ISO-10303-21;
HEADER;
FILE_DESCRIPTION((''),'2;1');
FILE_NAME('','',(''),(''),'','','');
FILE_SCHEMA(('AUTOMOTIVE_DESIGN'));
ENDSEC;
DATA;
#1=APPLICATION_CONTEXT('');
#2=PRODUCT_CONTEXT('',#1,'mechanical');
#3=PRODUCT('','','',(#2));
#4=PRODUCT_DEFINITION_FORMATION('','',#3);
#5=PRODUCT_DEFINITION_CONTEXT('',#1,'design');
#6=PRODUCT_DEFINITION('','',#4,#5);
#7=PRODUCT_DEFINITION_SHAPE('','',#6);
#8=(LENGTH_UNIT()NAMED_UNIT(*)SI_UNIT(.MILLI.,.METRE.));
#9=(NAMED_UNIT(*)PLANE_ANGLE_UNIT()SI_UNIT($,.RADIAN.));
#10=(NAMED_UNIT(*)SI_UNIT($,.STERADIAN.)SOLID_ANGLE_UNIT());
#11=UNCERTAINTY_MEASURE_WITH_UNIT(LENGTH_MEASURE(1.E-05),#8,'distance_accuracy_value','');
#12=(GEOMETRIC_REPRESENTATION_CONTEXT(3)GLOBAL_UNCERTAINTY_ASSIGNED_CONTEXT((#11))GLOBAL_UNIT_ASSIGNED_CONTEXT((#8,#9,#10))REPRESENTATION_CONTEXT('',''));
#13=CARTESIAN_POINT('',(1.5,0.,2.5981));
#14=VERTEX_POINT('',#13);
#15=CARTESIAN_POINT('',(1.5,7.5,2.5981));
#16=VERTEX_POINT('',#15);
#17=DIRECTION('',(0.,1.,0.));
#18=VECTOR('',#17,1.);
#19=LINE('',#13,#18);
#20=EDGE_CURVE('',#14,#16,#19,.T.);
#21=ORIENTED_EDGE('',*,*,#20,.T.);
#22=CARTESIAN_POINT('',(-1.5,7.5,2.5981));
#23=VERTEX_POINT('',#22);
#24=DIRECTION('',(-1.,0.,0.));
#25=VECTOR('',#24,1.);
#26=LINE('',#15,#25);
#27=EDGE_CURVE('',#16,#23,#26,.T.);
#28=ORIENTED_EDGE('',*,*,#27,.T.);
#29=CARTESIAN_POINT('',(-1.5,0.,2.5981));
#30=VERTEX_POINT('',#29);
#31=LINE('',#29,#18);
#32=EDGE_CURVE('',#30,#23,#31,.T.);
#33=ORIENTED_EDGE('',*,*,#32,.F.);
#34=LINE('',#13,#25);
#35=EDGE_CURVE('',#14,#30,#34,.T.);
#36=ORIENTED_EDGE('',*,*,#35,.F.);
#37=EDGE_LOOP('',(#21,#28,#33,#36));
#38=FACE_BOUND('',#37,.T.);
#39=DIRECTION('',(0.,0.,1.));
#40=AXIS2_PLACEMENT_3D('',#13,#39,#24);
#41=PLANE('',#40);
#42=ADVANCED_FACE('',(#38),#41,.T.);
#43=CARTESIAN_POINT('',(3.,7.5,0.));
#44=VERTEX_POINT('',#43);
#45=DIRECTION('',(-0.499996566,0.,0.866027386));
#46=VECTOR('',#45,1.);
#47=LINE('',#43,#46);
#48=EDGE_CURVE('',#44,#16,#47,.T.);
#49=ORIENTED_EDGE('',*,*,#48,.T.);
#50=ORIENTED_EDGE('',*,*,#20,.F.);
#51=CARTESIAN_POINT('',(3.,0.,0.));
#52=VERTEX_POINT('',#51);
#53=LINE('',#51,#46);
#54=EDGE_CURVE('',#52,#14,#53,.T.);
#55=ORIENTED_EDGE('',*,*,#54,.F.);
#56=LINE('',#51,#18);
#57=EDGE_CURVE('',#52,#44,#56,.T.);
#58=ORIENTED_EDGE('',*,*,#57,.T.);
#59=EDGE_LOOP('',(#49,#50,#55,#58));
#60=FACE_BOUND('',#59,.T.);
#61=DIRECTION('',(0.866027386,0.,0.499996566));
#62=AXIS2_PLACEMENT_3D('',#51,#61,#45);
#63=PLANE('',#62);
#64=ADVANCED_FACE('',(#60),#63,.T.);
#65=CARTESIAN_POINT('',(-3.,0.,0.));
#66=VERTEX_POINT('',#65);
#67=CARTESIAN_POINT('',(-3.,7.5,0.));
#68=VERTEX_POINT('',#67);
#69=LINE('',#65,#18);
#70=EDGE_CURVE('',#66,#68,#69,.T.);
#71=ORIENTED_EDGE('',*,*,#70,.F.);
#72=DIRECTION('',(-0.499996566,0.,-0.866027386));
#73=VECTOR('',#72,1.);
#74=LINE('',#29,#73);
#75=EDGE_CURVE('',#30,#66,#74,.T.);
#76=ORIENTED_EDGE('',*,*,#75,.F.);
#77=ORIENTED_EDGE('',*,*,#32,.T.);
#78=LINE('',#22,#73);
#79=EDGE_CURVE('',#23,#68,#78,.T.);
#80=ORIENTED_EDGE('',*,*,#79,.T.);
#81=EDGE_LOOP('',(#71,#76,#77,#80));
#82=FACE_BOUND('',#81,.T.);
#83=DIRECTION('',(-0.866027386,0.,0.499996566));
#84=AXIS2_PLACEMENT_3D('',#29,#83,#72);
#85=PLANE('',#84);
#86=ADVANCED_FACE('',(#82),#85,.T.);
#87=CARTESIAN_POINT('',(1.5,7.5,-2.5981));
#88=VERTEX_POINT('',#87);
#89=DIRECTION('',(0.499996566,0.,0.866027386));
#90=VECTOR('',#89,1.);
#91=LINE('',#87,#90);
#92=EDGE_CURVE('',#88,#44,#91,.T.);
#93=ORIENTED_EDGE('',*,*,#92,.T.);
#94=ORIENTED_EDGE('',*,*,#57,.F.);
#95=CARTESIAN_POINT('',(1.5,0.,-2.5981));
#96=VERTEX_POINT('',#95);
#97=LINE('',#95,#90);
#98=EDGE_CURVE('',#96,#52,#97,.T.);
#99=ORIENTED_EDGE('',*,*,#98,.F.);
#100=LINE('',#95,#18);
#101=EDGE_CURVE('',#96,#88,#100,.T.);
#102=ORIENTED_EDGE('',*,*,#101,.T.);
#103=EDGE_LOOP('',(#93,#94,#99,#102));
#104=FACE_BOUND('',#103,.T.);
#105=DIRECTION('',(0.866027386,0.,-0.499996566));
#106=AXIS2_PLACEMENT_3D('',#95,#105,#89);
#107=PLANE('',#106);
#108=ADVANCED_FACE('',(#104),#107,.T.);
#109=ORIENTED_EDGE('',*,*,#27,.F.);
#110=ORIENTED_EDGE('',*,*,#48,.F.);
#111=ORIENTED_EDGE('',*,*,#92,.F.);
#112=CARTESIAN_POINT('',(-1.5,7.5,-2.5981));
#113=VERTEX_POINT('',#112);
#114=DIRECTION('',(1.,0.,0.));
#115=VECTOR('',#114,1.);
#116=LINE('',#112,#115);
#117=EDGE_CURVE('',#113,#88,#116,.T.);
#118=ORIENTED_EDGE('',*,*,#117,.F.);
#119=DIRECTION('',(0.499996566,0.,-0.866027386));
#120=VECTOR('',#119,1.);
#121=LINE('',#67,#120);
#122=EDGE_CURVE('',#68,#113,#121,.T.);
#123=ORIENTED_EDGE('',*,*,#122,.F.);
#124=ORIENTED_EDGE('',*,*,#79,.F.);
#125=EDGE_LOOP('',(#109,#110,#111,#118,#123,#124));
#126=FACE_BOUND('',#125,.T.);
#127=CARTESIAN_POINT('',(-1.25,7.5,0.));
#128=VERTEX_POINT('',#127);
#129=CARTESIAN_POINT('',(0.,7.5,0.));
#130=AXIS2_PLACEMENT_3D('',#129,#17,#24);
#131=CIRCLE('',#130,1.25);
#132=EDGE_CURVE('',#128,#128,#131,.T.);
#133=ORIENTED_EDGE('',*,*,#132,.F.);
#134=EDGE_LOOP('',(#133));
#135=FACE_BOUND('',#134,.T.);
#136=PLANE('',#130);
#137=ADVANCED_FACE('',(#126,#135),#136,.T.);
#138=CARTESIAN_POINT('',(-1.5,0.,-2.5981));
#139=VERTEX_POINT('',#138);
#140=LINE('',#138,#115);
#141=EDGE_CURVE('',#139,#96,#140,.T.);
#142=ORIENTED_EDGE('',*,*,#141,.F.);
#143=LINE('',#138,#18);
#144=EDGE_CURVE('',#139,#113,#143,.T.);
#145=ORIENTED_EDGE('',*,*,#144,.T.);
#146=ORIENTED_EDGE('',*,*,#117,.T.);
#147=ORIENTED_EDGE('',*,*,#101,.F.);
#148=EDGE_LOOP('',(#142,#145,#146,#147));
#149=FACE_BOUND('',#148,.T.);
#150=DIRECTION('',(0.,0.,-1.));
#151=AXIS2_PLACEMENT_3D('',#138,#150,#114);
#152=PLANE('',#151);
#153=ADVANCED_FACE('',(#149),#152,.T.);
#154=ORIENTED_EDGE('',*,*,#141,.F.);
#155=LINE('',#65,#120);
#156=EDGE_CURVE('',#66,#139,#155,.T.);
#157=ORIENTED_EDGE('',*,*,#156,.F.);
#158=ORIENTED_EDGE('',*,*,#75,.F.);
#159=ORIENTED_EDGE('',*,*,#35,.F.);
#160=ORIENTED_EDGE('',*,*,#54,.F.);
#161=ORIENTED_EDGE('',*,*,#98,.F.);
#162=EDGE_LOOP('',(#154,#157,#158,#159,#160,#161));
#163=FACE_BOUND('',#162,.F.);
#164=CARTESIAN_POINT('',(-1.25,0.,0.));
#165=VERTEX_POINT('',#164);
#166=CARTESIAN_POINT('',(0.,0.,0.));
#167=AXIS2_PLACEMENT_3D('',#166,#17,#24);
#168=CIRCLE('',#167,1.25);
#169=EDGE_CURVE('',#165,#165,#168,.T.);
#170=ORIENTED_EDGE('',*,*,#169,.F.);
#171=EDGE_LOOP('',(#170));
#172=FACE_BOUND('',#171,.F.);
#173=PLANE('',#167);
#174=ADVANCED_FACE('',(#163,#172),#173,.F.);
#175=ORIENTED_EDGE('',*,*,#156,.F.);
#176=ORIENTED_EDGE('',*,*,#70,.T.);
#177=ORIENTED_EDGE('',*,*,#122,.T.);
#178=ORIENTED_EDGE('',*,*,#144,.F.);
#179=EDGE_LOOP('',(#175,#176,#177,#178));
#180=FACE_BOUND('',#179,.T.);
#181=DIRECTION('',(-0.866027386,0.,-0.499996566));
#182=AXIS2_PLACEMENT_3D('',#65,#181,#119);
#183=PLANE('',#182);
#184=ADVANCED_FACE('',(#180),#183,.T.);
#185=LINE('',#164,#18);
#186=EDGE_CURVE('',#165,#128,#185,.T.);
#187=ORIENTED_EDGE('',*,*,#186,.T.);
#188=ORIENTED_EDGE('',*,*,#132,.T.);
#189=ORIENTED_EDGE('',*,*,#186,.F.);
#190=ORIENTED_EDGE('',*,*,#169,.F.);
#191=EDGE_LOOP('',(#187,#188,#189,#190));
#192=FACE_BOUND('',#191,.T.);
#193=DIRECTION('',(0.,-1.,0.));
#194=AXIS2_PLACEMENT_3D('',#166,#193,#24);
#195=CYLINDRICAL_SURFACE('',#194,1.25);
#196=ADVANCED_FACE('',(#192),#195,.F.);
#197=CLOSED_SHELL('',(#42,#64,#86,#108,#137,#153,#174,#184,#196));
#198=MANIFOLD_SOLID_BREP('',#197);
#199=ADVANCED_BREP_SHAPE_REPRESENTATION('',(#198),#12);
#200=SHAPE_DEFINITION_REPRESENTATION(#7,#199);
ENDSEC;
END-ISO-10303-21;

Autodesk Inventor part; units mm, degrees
ref_plane "YZ Plane" through (0, 0, 0) normal (1, 0, 0) x (0, 1, 0)
ref_plane "XZ Plane" through (0, 0, 0) normal (0, 1, 0) x (-1, 0, 0)
ref_plane "XY Plane" through (0, 0, 0) normal (0, 0, 1) x (1, 0, 0)
sketch "Sketch1" plane through (0, 0, 0) normal (0, 1, 0) x (-1, 0, 0)
  circle A0 centre (0, 0) radius 1.25
  line L0 (3, 0) -> (1.5, -2.5981)
  line L1 (1.5, -2.5981) -> (-1.5, -2.5981)
  line L2 (-1.5, -2.5981) -> (-3, 0)
  line L3 (-3, 0) -> (-1.5, 2.5981)
  line L4 (-1.5, 2.5981) -> (1.5, 2.5981)
  line L5 (1.5, 2.5981) -> (3, 0)
  dimension "d0" = 2.5
  dimension "d1" = 3
extrude "Extrusion1" add sketch "Sketch1" along normal blind 7.5
properties part number "standoff"
